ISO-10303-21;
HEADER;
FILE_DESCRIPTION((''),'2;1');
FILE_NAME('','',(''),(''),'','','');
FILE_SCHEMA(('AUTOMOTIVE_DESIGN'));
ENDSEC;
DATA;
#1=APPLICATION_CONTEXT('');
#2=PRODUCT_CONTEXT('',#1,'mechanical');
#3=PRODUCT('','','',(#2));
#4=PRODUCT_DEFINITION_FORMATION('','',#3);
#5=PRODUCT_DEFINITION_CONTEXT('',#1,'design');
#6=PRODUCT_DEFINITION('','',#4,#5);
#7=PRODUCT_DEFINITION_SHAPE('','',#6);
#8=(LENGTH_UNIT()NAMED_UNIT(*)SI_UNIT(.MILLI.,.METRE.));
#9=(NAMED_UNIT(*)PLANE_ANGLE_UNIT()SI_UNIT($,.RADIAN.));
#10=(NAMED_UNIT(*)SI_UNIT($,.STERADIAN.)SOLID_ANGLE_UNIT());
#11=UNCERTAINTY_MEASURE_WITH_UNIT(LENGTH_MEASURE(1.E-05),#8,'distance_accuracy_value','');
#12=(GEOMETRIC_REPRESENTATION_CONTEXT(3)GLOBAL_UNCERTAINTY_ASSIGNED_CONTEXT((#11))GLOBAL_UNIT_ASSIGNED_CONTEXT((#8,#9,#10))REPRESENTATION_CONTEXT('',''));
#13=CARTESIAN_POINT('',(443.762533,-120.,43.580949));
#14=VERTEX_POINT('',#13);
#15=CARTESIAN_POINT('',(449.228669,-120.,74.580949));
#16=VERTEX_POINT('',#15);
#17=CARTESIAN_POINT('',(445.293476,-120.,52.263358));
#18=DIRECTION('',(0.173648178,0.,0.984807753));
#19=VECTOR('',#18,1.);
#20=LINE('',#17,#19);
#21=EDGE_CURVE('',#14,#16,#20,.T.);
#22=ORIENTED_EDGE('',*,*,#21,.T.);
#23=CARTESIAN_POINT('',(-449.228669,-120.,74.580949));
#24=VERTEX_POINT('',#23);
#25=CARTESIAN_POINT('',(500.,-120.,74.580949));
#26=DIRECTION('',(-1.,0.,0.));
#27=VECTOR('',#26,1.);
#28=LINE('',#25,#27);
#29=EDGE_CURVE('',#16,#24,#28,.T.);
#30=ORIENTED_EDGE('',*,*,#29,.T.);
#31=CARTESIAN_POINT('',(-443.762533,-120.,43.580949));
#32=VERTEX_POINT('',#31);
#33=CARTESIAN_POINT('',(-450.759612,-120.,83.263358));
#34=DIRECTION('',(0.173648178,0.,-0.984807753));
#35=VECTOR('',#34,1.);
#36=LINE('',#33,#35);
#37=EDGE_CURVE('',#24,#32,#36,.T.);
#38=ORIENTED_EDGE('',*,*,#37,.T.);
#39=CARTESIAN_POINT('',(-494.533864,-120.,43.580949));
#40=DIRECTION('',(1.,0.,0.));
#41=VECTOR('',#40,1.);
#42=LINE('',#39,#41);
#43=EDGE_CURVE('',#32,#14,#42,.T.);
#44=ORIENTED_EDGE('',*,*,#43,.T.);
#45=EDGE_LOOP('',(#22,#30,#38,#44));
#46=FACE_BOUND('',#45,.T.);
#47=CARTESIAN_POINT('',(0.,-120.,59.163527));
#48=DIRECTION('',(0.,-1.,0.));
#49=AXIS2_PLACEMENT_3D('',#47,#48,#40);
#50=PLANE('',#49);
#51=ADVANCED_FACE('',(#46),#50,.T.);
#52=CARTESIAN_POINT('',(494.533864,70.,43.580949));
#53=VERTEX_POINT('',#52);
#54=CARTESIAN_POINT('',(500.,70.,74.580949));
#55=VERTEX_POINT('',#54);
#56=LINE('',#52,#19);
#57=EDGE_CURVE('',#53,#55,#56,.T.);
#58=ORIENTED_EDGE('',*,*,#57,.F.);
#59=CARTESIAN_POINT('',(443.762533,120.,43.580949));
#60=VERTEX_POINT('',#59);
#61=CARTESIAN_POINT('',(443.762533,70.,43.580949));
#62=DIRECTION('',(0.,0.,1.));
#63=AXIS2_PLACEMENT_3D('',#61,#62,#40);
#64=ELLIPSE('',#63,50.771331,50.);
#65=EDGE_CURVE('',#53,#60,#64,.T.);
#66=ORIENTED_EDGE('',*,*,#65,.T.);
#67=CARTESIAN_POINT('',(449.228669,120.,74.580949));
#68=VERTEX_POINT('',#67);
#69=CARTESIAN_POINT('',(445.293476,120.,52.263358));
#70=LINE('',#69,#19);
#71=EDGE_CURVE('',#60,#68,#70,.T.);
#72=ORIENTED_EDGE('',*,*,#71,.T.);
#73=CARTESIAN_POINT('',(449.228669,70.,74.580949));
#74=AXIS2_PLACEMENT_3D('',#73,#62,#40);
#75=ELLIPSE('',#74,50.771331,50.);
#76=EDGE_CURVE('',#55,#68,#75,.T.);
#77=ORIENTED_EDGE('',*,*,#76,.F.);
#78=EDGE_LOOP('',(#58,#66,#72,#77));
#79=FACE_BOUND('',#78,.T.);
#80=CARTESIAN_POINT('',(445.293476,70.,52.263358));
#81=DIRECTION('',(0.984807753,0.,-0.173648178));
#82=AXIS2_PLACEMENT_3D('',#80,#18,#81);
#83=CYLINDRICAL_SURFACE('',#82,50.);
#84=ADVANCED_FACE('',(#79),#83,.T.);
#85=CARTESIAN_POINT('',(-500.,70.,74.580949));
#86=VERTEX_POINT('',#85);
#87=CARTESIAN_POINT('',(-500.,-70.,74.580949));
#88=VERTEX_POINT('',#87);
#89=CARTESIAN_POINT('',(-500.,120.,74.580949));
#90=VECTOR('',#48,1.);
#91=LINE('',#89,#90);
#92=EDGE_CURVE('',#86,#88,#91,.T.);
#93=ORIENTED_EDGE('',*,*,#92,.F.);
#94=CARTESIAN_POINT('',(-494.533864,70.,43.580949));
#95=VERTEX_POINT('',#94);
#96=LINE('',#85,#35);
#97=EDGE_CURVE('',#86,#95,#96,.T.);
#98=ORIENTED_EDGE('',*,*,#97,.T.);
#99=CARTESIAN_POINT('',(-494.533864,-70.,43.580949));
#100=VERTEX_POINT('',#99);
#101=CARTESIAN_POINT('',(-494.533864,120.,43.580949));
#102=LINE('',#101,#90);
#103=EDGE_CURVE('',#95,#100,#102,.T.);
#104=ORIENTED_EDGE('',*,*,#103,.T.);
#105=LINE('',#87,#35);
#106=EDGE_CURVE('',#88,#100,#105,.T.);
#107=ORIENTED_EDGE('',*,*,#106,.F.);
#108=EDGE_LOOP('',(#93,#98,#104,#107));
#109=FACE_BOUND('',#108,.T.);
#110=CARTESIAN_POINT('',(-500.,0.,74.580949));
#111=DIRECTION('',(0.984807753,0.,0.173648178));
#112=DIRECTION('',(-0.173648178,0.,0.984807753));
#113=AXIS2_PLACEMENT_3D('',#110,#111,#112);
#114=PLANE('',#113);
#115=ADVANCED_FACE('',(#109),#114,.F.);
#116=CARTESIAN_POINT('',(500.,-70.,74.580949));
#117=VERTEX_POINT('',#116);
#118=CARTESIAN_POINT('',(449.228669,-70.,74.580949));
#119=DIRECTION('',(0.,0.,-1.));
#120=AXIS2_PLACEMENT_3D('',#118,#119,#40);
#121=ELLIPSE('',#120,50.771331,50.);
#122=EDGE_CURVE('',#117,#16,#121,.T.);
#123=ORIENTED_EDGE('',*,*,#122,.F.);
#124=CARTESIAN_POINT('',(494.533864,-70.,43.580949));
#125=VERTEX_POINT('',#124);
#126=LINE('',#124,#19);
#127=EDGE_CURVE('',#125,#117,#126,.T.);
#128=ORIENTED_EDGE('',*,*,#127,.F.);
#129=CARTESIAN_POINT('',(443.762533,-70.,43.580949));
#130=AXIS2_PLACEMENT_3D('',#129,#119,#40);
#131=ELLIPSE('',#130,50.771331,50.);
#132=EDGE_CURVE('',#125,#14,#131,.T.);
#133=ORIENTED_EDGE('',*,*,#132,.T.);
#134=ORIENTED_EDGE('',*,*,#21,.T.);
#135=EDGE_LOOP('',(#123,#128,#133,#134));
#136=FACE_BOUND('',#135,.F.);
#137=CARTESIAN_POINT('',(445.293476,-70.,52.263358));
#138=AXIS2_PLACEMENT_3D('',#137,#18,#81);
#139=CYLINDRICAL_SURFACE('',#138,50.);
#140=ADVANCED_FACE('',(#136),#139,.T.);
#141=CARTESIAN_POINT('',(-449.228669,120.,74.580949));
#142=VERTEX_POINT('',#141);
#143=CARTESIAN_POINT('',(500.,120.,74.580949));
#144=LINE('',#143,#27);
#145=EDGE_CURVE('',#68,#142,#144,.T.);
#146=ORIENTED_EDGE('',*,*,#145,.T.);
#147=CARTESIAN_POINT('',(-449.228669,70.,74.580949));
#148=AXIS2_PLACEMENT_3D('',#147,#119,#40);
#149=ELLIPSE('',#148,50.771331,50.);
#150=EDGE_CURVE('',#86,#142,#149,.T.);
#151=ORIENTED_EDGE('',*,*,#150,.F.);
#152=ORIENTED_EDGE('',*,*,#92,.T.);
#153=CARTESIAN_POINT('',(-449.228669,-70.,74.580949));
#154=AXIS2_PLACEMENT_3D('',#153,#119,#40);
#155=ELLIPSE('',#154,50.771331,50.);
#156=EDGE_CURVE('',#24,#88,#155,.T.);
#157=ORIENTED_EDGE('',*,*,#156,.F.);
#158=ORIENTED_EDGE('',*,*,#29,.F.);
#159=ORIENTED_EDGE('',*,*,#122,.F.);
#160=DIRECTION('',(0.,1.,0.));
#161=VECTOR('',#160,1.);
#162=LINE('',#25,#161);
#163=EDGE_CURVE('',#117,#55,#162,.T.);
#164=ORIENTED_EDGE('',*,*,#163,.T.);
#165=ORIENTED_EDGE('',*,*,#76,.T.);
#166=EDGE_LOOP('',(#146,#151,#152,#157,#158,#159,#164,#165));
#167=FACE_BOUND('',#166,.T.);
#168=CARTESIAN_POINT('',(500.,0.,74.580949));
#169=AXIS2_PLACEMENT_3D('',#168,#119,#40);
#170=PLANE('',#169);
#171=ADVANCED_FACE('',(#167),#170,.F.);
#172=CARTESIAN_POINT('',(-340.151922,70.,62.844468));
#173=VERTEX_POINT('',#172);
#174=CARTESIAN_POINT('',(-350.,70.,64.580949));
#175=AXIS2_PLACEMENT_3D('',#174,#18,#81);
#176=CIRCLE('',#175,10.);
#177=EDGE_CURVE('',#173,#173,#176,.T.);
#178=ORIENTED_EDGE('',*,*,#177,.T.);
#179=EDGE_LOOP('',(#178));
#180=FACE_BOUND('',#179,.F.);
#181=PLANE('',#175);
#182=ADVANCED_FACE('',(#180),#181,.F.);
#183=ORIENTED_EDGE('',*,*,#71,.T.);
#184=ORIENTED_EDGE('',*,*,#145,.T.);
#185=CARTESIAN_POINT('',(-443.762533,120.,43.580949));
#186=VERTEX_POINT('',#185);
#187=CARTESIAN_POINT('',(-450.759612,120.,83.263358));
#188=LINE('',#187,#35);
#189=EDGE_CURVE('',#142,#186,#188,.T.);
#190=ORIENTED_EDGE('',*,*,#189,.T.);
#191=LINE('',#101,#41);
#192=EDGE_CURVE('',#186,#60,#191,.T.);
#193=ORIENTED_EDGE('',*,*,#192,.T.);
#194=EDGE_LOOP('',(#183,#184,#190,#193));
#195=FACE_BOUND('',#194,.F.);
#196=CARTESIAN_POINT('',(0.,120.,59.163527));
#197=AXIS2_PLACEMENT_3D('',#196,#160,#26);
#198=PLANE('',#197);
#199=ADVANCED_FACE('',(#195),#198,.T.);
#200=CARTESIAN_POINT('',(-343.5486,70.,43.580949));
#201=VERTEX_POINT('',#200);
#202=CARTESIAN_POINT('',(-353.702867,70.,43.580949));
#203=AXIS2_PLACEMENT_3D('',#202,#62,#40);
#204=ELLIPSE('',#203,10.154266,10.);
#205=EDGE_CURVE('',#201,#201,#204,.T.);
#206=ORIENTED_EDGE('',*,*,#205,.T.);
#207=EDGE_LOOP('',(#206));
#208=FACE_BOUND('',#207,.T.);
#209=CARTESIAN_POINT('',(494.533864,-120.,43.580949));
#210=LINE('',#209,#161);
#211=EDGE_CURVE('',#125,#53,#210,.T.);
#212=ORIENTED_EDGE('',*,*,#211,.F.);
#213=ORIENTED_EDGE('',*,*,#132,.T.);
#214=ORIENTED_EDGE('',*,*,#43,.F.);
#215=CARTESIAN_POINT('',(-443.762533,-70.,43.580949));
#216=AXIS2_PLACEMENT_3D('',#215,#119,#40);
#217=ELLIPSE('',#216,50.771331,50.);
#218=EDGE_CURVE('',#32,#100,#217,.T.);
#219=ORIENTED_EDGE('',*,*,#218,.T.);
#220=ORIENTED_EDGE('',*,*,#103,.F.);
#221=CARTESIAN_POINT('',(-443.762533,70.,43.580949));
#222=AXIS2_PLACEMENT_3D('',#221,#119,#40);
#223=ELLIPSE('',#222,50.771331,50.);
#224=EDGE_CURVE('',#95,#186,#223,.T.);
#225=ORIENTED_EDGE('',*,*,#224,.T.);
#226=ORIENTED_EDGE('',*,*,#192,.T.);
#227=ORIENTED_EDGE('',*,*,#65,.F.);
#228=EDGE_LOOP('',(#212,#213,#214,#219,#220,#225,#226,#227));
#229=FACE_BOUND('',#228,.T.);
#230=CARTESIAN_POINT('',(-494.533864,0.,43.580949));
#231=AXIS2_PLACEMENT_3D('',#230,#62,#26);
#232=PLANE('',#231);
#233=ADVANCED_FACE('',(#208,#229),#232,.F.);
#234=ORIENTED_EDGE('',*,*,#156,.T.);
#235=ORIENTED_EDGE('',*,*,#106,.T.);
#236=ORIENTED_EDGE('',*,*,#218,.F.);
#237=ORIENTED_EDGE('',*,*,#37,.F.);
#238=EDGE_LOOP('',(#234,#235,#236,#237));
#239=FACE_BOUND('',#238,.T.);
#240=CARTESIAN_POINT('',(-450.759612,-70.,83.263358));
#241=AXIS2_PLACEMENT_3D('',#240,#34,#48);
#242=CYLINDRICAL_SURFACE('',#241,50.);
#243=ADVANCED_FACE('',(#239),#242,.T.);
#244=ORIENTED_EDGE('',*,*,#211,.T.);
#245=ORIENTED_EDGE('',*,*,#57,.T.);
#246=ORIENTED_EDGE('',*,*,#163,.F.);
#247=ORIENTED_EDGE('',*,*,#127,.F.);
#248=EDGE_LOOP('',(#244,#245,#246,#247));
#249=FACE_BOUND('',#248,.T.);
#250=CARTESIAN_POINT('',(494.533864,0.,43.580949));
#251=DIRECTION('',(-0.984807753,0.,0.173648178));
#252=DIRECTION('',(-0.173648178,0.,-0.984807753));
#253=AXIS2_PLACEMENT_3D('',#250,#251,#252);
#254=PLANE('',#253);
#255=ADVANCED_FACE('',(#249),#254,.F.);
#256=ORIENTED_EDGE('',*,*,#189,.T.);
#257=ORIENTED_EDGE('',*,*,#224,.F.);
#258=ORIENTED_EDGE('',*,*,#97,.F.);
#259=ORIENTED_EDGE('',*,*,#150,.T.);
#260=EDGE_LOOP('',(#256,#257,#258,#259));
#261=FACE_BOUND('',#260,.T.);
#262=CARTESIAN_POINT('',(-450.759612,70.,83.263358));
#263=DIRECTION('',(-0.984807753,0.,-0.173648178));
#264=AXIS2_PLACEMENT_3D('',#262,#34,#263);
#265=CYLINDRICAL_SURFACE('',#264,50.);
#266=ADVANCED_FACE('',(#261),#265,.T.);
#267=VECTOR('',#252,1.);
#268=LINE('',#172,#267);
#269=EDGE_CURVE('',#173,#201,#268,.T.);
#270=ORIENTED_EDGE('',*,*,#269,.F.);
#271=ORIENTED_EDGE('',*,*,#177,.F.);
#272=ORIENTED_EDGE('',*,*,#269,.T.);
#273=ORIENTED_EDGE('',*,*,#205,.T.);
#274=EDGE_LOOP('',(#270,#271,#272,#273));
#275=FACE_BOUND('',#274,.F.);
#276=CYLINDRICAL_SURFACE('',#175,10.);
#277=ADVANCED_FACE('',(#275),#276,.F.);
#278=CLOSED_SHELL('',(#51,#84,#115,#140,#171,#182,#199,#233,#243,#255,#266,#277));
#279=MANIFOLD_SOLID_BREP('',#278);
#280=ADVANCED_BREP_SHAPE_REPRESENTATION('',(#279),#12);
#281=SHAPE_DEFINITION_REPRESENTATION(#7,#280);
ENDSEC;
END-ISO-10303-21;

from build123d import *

# Parameters (mm, degrees)
F1_DEPTH  = 120
F3_R      = 50
F4_R      = 50
F5_R      = 50
F6_R      = 50
F10_R     = 10
F11_DEPTH = 46.7291894633


with BuildPart() as f1:
    # F0 (on Front) → F1 (new body)
    with BuildSketch(Plane.XZ):
        Polygon((500, 74.5809494637), (0, 74.5809494637), (-500, 74.5809494637), (-494.533863598, 43.5809494637), (0, 43.5809494637), (494.533863598, 43.5809494637), align=None)
    extrude(amount=F1_DEPTH)

    # F2: F1 across plane


with BuildPart() as f1_1:
    add(f1.part)
    add(f1.part.mirror(Plane.XZ))

    # F3
    f3_edges = [f1_1.edges().sort_by_distance(p)[0] for p in [
        (497.266932, -120, 59.080949),
    ]]
    fillet(f3_edges, radius=F3_R)

    # F4
    f4_edges = [f1_1.edges().sort_by_distance(p)[0] for p in [
        (497.266932, 120, 59.080949),
    ]]
    fillet(f4_edges, radius=F4_R)

    # F5
    f5_edges = [f1_1.edges().sort_by_distance(p)[0] for p in [
        (-497.266932, -120, 59.080949),
    ]]
    fillet(f5_edges, radius=F5_R)

    # F6
    f6_edges = [f1_1.edges().sort_by_distance(p)[0] for p in [
        (-497.266932, 120, 59.080949),
    ]]
    fillet(f6_edges, radius=F6_R)

    # F10 (on line) → F11 (cut, through all)
    with BuildSketch(Plane(origin=(0.4902014334, 0, 2.7800704771), x_dir=(0.984807753, 0, -0.1736481777), z_dir=(0.1736481777, 0, 0.984807753))):
        with Locations((-355.8970777407, 70)):
            Circle(F10_R)
    extrude(amount=-F11_DEPTH, mode=Mode.SUBTRACT)


solid = f1_1.part
